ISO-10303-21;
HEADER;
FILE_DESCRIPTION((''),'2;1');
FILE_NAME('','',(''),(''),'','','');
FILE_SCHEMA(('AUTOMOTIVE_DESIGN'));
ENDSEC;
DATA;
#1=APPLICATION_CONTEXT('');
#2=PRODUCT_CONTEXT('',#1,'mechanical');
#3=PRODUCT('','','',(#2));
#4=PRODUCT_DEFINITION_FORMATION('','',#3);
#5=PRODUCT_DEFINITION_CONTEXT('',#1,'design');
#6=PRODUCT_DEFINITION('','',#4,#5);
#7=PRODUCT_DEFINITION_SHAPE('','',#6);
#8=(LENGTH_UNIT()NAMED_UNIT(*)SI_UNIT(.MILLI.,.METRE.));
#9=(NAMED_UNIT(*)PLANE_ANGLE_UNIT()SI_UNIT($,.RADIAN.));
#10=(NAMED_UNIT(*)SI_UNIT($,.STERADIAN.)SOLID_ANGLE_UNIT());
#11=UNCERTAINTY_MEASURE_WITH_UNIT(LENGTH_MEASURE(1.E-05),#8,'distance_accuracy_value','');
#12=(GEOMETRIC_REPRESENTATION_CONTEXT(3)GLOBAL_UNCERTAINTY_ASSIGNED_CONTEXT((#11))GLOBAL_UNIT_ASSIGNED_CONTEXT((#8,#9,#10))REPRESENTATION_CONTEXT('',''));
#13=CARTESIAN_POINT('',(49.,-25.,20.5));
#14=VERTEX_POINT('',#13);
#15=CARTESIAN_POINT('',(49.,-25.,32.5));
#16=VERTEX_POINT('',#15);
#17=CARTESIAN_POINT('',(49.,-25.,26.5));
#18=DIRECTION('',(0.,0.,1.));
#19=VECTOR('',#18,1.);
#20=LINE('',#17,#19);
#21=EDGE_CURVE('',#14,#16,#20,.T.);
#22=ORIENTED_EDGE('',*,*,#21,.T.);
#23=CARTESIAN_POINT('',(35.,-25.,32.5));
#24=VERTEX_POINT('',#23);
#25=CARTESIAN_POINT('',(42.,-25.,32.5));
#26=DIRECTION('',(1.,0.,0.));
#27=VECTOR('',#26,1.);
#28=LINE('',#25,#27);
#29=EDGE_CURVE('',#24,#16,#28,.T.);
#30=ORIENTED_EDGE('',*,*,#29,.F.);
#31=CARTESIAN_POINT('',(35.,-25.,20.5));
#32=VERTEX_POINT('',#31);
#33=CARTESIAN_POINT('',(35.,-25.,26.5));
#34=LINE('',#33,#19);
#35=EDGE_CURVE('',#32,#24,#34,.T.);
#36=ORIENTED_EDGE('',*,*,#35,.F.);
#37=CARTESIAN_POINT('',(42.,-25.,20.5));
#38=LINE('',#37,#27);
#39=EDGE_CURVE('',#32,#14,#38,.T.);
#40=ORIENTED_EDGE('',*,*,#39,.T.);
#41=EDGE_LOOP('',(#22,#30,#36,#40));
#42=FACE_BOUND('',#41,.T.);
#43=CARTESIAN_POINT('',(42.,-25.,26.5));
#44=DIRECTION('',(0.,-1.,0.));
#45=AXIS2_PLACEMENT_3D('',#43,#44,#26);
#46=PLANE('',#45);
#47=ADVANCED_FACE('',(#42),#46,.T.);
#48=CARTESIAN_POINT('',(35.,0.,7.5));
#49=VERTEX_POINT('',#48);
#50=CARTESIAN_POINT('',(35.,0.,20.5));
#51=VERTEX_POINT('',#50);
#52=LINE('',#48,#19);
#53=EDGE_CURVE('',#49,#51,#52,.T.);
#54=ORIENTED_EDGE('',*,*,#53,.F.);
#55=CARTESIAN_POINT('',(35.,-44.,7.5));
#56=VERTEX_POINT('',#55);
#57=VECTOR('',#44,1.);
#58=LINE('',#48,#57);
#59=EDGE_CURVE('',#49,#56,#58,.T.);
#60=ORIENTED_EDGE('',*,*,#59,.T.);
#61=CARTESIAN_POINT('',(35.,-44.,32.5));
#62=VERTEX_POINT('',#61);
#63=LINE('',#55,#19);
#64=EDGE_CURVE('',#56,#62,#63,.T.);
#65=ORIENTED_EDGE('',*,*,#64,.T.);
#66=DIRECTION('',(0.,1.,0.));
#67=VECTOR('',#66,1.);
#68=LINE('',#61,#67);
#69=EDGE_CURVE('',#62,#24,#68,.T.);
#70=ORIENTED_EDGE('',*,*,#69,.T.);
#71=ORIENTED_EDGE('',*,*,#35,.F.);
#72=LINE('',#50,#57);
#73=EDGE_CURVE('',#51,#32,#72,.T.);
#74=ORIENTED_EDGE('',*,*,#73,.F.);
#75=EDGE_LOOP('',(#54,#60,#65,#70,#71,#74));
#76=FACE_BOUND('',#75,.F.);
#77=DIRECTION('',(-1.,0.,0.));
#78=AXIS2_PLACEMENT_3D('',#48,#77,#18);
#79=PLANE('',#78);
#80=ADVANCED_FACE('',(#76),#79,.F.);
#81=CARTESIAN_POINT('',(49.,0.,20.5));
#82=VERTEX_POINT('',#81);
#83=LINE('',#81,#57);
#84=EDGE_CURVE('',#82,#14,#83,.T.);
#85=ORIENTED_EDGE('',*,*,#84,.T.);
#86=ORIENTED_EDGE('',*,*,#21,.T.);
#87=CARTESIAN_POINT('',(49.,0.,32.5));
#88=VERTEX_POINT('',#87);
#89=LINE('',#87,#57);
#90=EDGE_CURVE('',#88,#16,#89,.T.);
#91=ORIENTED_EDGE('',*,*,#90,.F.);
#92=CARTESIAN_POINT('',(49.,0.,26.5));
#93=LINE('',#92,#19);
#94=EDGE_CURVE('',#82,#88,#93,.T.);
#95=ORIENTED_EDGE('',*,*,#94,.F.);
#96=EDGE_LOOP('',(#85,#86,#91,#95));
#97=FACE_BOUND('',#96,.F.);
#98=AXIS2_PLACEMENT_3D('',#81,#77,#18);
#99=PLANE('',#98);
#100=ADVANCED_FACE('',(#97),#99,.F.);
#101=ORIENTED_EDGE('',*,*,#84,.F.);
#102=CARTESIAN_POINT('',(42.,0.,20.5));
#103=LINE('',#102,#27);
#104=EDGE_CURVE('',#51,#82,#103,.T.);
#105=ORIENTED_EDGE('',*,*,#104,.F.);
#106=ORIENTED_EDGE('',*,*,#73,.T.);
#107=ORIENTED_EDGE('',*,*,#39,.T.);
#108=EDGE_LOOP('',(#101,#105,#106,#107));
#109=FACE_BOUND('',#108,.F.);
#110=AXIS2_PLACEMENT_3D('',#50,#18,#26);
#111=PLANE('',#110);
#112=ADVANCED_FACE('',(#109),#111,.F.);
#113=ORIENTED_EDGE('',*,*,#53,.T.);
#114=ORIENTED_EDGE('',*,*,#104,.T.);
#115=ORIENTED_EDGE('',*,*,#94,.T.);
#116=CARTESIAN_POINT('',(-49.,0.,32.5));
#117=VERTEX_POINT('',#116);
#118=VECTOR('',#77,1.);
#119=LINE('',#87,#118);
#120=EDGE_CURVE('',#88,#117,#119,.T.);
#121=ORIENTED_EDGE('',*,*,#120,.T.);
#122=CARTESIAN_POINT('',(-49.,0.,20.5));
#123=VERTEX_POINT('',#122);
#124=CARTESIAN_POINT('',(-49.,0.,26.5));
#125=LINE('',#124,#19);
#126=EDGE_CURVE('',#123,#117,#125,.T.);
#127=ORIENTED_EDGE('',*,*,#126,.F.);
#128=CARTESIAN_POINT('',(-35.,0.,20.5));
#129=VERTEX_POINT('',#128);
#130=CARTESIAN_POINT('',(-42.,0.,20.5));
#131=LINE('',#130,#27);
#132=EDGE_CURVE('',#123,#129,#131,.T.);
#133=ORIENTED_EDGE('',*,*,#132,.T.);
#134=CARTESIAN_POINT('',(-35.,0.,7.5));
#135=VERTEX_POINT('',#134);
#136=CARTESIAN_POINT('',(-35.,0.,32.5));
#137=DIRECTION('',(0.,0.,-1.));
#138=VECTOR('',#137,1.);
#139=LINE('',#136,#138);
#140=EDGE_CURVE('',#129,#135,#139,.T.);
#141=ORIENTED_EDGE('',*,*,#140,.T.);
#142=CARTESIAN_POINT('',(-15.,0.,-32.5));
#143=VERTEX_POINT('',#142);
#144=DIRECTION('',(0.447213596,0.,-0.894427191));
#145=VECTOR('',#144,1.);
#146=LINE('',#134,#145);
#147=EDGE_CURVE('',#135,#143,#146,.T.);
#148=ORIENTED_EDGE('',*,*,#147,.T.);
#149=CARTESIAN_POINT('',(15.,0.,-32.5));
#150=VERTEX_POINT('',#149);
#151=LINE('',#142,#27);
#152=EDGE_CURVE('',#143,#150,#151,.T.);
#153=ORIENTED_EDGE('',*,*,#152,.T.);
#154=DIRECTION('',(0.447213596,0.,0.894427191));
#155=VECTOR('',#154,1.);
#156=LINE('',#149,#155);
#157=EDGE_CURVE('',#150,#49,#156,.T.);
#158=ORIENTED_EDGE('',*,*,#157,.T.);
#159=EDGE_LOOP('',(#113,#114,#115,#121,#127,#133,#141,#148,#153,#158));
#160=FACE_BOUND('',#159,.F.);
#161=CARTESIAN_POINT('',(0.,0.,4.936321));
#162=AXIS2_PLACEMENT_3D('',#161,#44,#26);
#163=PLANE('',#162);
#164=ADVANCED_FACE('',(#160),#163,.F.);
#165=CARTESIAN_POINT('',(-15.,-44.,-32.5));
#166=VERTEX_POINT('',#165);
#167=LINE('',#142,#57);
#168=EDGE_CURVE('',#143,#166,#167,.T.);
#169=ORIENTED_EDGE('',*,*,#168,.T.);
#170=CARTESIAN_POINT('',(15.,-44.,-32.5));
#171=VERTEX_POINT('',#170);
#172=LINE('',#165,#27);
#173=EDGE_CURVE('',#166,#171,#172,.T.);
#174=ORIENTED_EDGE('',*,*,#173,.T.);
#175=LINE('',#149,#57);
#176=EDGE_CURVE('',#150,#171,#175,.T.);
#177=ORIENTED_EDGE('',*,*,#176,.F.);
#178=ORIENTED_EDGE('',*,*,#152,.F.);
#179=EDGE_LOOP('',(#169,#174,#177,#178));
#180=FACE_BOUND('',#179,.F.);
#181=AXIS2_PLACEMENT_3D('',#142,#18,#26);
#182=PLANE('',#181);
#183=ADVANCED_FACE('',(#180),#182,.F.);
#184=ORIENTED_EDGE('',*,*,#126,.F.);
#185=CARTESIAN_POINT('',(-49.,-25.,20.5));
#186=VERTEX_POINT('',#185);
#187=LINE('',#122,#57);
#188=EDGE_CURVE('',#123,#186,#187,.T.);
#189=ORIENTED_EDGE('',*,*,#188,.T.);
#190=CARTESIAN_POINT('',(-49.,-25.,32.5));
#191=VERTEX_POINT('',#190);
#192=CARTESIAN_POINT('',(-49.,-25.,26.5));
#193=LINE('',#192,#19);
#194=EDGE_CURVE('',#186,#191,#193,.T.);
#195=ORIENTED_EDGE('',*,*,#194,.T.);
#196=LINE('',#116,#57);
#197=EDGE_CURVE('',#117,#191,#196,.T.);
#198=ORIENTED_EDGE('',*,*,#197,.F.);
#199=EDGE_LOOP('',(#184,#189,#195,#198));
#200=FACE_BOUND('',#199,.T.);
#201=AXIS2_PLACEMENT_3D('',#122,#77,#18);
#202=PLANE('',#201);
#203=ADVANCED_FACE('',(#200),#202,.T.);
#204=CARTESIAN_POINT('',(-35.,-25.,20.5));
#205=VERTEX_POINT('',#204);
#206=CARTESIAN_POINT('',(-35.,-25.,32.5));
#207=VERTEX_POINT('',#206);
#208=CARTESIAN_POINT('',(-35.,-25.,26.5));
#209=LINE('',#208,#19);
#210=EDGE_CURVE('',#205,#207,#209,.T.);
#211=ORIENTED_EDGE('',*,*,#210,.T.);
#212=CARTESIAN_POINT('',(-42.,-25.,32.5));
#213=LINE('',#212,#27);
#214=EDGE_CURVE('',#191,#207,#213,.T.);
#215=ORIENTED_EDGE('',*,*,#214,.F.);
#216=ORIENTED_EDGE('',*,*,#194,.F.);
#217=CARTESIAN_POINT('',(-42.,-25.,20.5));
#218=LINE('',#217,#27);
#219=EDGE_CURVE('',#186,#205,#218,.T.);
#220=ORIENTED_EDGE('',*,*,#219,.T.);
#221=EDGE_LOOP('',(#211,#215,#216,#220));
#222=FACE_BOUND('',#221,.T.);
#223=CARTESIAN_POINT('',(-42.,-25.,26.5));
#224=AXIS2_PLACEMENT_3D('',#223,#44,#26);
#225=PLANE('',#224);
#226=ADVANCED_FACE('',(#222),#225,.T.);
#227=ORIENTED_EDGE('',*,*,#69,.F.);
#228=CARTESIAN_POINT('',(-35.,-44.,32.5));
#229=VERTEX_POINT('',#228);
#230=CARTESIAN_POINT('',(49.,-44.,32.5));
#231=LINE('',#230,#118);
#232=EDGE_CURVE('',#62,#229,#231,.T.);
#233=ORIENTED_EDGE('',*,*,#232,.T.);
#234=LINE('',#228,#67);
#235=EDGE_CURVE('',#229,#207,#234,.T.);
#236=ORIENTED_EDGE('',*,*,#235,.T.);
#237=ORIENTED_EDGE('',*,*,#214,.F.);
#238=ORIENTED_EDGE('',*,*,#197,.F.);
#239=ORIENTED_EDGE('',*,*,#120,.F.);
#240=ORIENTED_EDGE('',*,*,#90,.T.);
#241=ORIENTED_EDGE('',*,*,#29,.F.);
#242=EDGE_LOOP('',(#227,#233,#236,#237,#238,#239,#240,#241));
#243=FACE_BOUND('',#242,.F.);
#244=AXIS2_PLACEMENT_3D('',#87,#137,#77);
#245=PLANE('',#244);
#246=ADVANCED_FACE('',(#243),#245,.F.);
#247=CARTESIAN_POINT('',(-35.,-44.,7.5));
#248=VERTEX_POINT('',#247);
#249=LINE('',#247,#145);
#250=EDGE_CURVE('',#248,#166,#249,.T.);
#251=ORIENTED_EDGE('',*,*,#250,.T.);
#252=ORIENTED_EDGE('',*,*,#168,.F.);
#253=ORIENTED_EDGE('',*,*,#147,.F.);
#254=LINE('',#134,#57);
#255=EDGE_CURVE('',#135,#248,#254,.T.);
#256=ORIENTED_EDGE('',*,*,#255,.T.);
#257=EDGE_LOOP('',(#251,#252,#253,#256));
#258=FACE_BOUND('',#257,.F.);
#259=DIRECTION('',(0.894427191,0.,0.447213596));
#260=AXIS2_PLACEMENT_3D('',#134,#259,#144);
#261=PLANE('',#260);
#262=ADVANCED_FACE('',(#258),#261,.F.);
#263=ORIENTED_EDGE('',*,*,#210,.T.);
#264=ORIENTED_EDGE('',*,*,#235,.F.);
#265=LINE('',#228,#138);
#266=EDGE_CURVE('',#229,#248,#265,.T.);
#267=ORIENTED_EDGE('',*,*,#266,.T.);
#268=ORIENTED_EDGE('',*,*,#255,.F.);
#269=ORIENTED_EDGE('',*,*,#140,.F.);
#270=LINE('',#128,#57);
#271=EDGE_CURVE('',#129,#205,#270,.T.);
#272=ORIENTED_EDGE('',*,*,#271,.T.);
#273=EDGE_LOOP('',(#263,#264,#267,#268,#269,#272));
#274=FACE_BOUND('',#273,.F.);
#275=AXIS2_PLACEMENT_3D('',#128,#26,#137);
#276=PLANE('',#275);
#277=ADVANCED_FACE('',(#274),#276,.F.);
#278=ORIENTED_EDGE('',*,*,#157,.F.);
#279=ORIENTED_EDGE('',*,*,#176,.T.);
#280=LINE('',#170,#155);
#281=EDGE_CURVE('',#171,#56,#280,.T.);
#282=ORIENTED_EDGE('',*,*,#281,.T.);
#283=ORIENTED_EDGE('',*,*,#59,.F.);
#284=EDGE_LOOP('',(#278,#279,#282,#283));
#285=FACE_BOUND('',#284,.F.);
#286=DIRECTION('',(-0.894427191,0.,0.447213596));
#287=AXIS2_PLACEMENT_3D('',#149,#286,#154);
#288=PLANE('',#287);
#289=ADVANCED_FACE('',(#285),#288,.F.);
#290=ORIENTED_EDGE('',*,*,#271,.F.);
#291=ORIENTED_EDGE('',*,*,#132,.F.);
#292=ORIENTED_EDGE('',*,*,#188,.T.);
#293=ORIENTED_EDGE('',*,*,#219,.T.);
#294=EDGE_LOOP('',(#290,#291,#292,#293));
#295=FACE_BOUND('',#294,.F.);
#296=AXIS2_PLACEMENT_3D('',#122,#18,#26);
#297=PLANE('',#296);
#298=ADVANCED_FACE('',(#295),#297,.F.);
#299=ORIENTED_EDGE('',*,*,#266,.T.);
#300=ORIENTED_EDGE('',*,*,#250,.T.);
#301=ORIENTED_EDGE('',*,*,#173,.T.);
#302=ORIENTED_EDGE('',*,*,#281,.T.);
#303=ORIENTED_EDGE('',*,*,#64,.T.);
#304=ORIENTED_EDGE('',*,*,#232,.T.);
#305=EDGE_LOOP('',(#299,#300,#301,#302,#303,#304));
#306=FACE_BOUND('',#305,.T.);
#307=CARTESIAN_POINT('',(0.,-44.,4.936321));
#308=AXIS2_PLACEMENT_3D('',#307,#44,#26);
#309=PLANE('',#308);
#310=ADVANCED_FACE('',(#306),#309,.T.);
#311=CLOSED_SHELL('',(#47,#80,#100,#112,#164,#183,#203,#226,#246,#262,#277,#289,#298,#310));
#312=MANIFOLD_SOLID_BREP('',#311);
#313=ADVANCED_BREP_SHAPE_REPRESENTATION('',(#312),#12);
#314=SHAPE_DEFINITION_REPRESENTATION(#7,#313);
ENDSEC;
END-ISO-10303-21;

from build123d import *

# Parameters (mm, degrees)
F0_W     = 14
F0_H     = 12
F1_DEPTH = 44
F2_W     = 14
F2_H     = 12
F3_DEPTH = 19


with BuildPart() as f1:
    # F0 (on Front) → F1 (new body)
    with BuildSketch(Plane.XZ):
        Polygon((-15, -32.5), (15, -32.5), (35, 7.5), (35, 20.5), (35, 32.5), (-35, 32.5), (-35, 20.5), (-35, 7.5), align=None)
        with Locations((42, 26.5)):
            Rectangle(F0_W, F0_H)
        with Locations((-42, 26.5)):
            Rectangle(F0_W, F0_H)
    extrude(amount=F1_DEPTH)

    # F2 (on face) → F3 (cut)
    with BuildSketch(Plane.XZ.offset(44)):
        with Locations((-42, 26.5)):
            Rectangle(F2_W, F2_H)
        with Locations((42, 26.5)):
            Rectangle(F2_W, F2_H)
    extrude(amount=-F3_DEPTH, mode=Mode.SUBTRACT)


solid = f1.part
